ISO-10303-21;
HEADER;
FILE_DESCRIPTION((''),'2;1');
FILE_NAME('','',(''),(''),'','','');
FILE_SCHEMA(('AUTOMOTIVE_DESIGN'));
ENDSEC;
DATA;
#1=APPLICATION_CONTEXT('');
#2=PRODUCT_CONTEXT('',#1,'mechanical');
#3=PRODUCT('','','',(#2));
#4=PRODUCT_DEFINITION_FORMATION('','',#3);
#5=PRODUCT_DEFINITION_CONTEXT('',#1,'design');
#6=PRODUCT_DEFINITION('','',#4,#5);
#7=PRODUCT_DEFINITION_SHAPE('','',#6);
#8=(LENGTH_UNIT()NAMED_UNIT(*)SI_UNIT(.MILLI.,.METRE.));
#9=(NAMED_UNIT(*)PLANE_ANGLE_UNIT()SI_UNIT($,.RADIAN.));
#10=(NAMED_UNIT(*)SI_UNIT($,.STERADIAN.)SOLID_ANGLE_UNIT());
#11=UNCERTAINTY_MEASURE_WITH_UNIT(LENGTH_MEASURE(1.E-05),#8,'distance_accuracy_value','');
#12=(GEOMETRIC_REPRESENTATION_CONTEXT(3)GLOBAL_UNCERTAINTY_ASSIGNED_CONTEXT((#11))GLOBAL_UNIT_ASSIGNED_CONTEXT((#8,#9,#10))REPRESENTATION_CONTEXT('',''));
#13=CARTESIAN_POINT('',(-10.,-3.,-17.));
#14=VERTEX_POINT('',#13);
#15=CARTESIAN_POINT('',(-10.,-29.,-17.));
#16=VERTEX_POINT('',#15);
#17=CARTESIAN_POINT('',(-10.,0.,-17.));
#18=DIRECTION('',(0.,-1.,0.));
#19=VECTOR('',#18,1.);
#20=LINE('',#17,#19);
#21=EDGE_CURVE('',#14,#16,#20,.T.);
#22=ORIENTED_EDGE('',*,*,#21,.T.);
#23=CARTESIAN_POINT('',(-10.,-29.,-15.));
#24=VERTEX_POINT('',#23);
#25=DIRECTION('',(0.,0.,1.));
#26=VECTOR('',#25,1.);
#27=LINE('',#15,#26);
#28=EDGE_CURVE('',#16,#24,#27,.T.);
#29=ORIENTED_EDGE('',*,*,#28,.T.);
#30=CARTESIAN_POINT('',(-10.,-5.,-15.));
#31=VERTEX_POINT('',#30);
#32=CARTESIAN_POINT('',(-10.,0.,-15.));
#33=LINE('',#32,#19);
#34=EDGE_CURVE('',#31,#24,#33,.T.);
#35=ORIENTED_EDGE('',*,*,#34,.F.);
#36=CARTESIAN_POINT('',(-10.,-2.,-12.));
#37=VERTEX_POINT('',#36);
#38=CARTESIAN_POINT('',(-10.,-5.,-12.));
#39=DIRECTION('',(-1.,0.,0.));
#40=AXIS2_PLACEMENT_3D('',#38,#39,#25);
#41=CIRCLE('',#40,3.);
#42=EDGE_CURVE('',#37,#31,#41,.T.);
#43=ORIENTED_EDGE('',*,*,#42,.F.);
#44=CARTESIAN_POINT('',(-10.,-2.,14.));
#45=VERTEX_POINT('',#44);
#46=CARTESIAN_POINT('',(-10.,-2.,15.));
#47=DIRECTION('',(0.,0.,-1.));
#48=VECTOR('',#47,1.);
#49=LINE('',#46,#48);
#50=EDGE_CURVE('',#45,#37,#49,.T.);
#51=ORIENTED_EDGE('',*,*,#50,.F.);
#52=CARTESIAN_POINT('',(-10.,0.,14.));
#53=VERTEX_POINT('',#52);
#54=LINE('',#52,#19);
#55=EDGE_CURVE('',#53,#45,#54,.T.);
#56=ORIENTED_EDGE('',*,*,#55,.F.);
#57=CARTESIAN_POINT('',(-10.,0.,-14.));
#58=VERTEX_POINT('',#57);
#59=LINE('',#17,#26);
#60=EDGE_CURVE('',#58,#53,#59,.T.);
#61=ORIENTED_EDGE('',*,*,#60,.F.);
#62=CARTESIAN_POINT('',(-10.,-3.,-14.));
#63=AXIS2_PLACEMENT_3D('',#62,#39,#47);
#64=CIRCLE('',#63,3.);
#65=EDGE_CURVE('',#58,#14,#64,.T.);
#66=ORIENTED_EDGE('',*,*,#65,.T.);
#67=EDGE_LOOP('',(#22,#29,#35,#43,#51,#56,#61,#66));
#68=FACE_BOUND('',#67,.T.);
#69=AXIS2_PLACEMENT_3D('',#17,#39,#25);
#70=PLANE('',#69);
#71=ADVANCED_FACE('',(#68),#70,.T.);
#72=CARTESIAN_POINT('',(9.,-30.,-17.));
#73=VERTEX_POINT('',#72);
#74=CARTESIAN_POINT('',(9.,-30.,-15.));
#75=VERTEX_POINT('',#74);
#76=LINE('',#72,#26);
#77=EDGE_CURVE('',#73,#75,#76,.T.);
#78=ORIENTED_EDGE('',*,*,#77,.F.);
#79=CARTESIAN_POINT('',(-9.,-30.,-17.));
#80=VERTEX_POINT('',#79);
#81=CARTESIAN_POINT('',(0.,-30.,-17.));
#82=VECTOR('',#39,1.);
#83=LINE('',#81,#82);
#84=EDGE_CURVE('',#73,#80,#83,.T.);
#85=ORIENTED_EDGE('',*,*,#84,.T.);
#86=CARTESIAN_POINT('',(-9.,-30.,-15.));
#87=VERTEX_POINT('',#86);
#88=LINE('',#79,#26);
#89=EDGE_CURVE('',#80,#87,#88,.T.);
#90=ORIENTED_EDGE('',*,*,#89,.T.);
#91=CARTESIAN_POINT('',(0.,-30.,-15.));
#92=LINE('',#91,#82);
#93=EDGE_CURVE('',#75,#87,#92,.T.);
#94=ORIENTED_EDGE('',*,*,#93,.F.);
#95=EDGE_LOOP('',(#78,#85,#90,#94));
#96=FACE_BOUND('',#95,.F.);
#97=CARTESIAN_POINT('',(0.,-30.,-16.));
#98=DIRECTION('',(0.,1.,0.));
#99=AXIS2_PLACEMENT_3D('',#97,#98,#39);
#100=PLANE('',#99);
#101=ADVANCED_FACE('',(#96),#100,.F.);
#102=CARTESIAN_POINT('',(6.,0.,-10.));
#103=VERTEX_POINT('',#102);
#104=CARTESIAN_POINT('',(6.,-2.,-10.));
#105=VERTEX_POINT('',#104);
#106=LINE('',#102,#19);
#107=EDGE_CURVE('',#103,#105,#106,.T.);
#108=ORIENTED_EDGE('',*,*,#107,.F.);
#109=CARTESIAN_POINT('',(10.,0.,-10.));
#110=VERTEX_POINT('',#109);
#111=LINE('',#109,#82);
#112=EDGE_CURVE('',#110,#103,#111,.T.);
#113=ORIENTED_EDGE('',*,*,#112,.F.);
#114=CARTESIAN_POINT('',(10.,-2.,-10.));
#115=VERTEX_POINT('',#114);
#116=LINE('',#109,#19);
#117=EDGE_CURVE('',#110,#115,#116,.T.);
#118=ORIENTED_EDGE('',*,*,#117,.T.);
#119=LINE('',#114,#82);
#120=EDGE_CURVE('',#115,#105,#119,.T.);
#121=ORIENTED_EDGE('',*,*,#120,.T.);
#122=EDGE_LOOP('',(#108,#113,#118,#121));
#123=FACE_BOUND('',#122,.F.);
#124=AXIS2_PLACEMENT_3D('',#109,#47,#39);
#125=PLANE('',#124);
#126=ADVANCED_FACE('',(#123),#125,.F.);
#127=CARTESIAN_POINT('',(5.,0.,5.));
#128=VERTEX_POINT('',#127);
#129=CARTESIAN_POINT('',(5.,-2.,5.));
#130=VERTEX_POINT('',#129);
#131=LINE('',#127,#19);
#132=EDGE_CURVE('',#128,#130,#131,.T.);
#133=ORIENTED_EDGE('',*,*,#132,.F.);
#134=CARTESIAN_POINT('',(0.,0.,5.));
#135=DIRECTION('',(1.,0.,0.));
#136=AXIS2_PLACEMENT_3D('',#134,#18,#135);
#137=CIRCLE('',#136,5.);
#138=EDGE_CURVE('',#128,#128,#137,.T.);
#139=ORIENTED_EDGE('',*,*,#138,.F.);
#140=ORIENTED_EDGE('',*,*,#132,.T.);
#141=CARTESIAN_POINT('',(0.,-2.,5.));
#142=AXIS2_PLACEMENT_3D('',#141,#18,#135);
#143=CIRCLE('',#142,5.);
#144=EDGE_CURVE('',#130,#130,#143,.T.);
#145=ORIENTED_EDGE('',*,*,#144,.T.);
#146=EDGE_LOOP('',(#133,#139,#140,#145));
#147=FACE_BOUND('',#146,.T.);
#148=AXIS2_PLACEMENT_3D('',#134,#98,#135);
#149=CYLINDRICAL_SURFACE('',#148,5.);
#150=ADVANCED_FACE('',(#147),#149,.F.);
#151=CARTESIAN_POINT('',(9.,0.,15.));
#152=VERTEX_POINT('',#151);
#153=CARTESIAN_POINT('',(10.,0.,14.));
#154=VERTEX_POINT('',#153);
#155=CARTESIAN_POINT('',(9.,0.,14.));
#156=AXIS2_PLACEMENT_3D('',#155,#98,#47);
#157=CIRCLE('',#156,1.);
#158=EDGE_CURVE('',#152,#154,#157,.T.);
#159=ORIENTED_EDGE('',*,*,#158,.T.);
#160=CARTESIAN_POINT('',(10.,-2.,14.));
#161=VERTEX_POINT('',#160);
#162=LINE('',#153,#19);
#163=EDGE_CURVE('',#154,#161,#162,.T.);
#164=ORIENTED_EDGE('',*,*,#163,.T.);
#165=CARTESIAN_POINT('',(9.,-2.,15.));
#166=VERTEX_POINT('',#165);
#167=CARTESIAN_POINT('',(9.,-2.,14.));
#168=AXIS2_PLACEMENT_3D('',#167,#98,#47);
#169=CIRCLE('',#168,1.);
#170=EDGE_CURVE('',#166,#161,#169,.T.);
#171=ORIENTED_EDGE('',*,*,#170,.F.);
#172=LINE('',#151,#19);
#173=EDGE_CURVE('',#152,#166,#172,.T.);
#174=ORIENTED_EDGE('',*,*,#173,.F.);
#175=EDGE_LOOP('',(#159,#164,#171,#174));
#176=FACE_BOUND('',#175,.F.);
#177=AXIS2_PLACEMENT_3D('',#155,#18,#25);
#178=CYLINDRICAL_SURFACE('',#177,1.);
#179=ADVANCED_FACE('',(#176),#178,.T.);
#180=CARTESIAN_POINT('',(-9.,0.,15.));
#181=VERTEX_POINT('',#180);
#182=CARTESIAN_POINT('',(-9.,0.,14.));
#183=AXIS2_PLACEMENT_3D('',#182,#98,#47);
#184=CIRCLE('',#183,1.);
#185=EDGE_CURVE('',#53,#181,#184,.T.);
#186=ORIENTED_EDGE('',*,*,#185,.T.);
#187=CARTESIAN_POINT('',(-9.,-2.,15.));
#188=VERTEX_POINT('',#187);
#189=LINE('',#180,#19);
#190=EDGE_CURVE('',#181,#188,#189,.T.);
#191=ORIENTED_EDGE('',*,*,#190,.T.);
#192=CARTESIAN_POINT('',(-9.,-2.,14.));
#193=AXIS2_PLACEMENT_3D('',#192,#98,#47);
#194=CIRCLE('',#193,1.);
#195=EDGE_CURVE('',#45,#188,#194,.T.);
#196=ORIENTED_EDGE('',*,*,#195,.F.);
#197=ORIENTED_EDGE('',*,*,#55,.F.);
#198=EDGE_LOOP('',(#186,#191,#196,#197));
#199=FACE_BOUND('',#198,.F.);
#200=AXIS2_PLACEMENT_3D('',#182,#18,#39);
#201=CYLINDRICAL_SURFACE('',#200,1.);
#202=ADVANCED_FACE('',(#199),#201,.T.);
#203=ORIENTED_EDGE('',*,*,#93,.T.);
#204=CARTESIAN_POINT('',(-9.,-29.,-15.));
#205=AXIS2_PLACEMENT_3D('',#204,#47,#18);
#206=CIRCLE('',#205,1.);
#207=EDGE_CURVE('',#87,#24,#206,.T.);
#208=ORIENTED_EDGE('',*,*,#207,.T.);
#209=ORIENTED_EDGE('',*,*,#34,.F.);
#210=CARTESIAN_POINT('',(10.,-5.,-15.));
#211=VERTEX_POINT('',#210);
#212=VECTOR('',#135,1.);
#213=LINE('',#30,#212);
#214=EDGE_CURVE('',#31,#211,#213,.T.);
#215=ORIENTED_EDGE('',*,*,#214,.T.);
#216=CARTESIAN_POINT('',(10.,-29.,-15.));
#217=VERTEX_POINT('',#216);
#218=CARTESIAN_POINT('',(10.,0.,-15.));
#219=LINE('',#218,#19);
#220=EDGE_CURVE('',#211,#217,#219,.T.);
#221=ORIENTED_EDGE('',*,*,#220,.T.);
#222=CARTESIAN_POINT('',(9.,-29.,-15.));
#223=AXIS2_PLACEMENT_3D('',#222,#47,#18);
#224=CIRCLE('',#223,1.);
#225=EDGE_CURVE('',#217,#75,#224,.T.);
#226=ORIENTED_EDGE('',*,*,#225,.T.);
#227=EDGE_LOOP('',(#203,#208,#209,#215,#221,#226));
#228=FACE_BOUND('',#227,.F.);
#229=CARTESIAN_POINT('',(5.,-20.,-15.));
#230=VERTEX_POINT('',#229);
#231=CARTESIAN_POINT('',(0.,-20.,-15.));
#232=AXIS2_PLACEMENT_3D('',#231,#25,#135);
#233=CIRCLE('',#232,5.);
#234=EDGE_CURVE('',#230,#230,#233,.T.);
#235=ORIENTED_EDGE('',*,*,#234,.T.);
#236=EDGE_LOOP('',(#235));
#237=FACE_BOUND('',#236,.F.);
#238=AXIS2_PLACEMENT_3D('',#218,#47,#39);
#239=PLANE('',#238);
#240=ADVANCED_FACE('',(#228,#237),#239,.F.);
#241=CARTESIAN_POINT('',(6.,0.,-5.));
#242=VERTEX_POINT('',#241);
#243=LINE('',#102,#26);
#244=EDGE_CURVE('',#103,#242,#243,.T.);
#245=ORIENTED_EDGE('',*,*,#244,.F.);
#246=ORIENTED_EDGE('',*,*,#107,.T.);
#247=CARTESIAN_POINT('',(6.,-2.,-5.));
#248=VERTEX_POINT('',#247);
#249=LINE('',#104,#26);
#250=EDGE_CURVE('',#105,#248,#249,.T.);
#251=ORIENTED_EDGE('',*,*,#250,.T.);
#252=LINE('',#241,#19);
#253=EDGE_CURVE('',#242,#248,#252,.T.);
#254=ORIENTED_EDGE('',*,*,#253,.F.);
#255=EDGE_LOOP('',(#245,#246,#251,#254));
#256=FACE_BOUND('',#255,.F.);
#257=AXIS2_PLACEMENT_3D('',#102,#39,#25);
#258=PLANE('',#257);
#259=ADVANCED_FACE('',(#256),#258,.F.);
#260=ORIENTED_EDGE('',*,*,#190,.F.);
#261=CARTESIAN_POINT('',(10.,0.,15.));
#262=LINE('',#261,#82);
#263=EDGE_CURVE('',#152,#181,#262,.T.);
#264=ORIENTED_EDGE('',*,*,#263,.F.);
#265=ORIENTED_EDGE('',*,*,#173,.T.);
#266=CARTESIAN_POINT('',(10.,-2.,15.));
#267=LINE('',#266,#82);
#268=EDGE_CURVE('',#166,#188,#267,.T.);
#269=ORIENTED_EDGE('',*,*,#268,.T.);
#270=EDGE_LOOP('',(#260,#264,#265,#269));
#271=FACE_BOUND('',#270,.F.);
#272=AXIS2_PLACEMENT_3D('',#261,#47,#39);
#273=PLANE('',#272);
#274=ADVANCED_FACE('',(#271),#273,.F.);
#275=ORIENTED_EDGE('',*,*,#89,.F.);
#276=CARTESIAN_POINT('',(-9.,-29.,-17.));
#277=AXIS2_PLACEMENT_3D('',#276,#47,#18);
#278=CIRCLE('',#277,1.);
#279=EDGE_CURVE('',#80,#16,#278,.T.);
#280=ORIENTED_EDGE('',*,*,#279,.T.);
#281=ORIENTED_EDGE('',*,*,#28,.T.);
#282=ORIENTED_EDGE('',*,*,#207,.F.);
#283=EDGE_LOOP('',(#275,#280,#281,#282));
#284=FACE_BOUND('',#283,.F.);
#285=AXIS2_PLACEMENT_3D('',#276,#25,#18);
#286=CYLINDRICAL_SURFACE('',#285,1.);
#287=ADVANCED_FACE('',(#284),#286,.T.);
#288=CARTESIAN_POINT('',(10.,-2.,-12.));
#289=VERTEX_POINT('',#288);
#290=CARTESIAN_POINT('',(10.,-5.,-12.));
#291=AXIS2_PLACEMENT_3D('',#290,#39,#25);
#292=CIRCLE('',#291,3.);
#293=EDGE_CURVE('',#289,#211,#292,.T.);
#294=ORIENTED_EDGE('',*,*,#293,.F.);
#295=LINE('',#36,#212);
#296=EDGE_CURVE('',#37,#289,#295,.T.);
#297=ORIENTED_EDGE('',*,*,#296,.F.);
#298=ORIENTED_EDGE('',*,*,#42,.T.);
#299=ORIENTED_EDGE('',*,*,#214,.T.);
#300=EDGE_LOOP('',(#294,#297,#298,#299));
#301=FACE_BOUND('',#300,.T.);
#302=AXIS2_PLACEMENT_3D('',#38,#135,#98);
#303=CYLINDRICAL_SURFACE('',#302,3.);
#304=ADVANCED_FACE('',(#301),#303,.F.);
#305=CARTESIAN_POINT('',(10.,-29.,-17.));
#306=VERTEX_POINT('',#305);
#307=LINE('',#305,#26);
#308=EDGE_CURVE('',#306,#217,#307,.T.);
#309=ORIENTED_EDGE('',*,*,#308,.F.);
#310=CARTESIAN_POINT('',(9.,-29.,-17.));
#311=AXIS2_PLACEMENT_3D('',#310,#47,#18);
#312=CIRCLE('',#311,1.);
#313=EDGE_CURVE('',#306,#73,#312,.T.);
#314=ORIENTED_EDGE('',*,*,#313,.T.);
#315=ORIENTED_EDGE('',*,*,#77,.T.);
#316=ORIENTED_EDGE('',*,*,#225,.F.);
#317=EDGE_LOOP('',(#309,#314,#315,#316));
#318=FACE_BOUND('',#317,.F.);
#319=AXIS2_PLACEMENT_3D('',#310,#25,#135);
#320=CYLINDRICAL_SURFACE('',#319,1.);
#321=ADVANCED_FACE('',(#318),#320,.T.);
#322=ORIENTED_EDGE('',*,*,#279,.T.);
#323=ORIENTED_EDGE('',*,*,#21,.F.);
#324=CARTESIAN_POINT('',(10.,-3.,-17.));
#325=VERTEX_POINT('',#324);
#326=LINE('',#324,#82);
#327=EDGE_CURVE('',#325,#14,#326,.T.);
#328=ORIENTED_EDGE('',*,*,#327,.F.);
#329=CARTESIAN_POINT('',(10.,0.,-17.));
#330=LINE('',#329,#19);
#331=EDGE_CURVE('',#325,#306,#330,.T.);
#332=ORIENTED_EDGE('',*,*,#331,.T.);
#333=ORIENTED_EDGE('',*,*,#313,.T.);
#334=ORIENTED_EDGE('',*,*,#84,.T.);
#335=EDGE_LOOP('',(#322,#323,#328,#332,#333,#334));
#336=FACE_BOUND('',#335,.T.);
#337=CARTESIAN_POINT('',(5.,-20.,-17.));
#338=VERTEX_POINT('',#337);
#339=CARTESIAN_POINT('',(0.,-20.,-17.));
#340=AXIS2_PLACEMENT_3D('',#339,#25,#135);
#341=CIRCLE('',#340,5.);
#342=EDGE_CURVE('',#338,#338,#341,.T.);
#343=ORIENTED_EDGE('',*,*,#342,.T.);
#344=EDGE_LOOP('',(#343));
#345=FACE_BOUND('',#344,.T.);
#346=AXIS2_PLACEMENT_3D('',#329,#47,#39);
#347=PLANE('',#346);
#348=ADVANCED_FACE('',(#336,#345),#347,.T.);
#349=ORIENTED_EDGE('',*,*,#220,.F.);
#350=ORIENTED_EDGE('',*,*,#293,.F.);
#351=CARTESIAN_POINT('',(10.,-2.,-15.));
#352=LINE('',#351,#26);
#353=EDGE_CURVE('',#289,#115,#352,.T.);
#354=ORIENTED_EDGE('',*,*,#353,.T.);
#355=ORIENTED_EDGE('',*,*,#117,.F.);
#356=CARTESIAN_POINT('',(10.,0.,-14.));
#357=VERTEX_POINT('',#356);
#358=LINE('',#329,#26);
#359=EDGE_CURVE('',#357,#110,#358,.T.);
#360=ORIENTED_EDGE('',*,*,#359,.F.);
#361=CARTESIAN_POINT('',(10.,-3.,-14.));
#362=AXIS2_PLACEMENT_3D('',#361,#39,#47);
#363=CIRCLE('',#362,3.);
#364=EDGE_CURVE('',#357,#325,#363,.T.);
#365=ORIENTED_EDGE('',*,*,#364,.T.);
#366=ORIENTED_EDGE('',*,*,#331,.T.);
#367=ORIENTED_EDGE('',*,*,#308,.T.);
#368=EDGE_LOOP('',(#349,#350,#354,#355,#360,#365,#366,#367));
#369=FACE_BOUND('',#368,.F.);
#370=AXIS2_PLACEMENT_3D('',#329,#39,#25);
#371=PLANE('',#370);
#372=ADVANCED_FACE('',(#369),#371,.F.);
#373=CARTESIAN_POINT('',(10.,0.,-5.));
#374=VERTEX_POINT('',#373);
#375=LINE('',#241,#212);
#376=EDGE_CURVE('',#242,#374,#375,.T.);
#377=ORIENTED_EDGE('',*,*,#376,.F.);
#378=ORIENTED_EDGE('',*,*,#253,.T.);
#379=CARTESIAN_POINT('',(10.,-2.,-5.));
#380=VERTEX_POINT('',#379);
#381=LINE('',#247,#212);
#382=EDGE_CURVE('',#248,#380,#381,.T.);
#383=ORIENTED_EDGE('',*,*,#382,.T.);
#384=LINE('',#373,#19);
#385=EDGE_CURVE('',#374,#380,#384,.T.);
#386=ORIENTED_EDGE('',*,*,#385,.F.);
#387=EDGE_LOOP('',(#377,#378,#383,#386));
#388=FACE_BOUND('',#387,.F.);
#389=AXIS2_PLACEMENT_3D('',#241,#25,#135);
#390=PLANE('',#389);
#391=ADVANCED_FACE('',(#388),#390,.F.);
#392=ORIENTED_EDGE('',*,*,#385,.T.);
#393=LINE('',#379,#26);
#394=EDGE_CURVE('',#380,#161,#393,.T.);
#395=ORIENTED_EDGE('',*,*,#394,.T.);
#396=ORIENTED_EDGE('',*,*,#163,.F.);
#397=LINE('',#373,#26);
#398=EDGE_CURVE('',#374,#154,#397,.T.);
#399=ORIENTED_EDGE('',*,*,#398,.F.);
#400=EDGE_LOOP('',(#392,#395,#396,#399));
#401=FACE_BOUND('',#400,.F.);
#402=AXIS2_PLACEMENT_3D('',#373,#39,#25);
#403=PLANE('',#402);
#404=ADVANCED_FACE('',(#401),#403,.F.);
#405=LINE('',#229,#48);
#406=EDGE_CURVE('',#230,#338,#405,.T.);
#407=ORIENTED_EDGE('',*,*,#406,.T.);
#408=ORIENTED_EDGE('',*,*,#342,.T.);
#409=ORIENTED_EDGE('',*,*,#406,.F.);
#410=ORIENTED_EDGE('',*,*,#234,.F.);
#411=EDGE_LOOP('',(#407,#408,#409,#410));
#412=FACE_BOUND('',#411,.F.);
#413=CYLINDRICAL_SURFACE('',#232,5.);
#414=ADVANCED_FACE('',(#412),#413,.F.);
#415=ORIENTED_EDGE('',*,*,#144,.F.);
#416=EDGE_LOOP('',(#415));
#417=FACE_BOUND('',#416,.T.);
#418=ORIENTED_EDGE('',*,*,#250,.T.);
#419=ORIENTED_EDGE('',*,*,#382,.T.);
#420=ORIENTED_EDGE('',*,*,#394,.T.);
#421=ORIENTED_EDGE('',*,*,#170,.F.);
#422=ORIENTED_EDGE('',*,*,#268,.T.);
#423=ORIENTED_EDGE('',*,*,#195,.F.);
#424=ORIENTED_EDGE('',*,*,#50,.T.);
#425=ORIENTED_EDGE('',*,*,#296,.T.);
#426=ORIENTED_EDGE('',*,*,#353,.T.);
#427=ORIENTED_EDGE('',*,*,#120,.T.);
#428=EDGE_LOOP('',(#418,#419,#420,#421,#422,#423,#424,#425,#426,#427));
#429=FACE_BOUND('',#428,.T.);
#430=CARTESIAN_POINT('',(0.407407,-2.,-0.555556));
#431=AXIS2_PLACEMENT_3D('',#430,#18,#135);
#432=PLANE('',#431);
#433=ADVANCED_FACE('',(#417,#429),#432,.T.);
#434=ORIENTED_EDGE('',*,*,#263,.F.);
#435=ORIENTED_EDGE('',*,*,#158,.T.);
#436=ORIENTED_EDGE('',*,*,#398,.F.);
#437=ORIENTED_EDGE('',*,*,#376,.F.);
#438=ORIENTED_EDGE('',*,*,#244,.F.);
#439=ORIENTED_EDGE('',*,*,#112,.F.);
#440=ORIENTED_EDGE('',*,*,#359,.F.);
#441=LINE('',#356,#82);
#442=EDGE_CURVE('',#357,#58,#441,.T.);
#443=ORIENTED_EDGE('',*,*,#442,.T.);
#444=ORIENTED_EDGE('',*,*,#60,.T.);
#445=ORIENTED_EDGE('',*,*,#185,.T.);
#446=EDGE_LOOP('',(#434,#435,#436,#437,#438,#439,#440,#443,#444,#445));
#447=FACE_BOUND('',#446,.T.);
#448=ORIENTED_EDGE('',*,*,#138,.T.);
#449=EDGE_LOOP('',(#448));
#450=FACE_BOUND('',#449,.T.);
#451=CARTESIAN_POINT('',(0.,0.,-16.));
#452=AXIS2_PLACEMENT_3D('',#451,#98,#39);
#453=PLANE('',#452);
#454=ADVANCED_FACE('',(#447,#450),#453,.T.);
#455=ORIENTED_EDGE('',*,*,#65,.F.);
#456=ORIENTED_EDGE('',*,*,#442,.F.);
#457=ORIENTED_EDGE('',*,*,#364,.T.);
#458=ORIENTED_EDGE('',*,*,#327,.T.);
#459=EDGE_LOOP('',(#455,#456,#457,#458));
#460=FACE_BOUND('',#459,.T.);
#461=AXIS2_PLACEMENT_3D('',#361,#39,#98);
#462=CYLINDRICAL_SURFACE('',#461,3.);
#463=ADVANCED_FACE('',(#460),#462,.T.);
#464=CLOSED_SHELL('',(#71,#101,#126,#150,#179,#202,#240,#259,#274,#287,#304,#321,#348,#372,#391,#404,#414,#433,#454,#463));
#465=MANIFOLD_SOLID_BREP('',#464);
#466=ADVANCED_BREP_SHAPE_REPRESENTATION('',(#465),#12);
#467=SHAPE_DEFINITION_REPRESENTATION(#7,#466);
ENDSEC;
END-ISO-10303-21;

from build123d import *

# Parameters (mm, degrees)
F0_R     = 5
F1_DEPTH = 2
F2_W     = 20
F2_H     = 2
F3_DEPTH = 30
F4_R     = 3
F5_R     = 5
F6_DEPTH = 2.001
F7_R     = 1


with BuildPart() as f1:
    # F0 (on Front) → F1 (new body)
    with BuildSketch(Plane.XZ):
        Polygon((10, 15), (-10, 15), (-10, -15), (10, -15), (10, -10), (6, -10), (6, -5), (10, -5), align=None)
        with Locations((0, 5)):
            Circle(F0_R, mode=Mode.SUBTRACT)
    extrude(amount=F1_DEPTH)

    # F2 (on face) → F3 (join)
    with BuildSketch(Plane(origin=(0, 0, 0), x_dir=(-1, 0, 0), z_dir=(0, 1, 0))):
        with Locations((0, -16)):
            Rectangle(F2_W, F2_H)
    extrude(amount=-F3_DEPTH)

    # F4
    f4_edges = [f1.edges().sort_by_distance(p)[0] for p in [
        (0, -2, -15),
        (0, 0, -17),
    ]]
    fillet(f4_edges, radius=F4_R)

    # F5 (on face) → F6 (cut, through all)
    with BuildSketch(Plane.XY.offset(-15)):
        with Locations((0, -20)):
            Circle(F5_R)
    extrude(amount=-F6_DEPTH, mode=Mode.SUBTRACT)

    # F7
    f7_edges = [f1.edges().sort_by_distance(p)[0] for p in [
        (-10, -1, 15),
        (10, -1, 15),
        (-10, -30, -16),
        (10, -30, -16),
    ]]
    fillet(f7_edges, radius=F7_R)


solid = f1.part
